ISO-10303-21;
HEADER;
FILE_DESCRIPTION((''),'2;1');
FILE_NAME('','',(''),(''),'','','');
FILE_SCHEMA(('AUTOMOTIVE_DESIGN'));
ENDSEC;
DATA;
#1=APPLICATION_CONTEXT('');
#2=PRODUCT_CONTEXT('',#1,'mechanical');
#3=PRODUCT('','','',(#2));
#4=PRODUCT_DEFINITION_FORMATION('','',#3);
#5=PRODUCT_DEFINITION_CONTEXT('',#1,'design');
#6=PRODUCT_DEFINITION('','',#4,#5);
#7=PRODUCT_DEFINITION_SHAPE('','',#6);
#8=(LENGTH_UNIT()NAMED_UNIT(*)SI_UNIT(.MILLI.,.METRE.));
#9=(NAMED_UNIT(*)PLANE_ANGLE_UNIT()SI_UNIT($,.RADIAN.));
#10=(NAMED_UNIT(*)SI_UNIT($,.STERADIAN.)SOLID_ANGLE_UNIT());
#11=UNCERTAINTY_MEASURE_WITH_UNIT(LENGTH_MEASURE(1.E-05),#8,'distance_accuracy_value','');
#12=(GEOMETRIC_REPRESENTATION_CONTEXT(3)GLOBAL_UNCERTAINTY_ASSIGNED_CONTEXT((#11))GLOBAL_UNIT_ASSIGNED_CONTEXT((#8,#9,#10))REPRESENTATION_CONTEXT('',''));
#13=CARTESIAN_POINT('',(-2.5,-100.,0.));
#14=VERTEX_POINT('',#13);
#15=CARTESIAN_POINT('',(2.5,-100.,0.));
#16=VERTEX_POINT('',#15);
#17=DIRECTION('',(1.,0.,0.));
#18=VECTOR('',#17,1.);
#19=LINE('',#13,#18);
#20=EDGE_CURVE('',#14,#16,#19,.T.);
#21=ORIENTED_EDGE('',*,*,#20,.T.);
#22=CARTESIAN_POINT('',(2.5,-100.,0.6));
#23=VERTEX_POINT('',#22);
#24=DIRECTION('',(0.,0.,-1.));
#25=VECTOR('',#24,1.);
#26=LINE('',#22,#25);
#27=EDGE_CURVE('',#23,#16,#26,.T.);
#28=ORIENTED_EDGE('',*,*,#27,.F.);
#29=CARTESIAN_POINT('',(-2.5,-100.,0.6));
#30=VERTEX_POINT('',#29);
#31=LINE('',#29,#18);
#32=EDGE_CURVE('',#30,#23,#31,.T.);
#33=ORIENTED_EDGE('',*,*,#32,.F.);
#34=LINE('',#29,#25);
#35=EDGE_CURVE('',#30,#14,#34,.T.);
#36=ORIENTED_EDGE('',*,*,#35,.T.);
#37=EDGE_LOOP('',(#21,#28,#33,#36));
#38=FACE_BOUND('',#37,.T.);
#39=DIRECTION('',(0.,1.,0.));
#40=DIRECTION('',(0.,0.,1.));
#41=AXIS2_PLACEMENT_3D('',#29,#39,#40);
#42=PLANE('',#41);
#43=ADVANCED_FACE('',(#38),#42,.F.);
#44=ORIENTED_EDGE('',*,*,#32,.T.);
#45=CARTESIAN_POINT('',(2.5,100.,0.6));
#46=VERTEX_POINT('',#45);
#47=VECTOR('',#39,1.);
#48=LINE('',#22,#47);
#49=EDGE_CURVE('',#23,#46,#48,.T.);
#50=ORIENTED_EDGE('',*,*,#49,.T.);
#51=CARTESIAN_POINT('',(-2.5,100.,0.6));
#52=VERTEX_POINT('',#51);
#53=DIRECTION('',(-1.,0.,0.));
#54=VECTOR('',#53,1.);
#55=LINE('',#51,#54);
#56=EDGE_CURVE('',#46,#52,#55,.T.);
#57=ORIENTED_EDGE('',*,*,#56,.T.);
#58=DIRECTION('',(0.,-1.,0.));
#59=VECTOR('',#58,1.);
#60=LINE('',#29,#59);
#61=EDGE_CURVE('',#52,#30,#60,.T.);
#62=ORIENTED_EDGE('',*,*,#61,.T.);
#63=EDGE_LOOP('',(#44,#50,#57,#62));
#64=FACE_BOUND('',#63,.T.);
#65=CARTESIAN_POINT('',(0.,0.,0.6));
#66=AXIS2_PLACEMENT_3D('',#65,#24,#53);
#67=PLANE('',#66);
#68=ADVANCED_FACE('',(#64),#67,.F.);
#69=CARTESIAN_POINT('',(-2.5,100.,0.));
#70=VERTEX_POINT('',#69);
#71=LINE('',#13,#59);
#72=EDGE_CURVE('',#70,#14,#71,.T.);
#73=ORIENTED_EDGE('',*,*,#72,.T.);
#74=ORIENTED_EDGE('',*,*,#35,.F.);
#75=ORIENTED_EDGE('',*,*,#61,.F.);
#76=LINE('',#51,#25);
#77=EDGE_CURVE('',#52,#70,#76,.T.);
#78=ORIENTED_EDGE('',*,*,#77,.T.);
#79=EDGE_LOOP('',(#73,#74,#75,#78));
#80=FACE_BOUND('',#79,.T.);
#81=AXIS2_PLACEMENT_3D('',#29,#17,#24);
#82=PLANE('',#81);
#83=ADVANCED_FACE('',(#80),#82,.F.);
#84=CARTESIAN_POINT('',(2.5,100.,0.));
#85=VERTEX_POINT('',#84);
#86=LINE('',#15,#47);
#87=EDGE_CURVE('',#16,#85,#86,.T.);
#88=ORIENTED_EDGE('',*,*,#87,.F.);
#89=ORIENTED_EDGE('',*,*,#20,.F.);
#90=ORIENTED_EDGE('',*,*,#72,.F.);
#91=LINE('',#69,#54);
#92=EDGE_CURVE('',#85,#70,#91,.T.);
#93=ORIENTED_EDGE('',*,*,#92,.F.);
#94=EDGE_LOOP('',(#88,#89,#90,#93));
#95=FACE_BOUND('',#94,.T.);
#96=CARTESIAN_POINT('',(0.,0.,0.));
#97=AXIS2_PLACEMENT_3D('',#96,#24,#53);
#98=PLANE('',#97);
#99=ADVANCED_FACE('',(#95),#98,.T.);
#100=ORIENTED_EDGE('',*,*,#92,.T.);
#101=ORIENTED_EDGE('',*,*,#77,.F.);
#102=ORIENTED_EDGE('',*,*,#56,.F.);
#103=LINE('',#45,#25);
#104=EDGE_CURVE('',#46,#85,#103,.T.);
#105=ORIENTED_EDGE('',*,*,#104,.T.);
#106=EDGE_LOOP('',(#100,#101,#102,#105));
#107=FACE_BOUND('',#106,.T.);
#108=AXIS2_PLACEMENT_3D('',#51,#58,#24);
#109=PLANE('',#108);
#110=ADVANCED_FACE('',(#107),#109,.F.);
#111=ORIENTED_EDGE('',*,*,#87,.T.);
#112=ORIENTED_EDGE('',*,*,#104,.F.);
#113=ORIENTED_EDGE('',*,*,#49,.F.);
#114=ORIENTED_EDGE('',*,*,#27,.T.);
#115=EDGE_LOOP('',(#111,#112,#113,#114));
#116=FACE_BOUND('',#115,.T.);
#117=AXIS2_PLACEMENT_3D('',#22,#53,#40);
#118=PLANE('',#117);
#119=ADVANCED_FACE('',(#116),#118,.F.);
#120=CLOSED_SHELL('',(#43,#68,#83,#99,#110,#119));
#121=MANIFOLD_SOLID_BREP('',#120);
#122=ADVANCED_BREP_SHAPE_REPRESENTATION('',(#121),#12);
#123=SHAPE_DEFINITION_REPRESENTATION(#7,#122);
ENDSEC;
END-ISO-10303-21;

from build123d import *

# Parameters (mm, degrees)
SKETCH1_W           = 5
SKETCH1_H           = 200
BOSS_EXTRUDE1_DEPTH = 0.6


with BuildPart() as part:
    # Sketch1 → Boss-Extrude1 (new body)
    with BuildSketch(Plane.XY):
        Rectangle(SKETCH1_W, SKETCH1_H)
    extrude(amount=BOSS_EXTRUDE1_DEPTH)


solid = part.part
